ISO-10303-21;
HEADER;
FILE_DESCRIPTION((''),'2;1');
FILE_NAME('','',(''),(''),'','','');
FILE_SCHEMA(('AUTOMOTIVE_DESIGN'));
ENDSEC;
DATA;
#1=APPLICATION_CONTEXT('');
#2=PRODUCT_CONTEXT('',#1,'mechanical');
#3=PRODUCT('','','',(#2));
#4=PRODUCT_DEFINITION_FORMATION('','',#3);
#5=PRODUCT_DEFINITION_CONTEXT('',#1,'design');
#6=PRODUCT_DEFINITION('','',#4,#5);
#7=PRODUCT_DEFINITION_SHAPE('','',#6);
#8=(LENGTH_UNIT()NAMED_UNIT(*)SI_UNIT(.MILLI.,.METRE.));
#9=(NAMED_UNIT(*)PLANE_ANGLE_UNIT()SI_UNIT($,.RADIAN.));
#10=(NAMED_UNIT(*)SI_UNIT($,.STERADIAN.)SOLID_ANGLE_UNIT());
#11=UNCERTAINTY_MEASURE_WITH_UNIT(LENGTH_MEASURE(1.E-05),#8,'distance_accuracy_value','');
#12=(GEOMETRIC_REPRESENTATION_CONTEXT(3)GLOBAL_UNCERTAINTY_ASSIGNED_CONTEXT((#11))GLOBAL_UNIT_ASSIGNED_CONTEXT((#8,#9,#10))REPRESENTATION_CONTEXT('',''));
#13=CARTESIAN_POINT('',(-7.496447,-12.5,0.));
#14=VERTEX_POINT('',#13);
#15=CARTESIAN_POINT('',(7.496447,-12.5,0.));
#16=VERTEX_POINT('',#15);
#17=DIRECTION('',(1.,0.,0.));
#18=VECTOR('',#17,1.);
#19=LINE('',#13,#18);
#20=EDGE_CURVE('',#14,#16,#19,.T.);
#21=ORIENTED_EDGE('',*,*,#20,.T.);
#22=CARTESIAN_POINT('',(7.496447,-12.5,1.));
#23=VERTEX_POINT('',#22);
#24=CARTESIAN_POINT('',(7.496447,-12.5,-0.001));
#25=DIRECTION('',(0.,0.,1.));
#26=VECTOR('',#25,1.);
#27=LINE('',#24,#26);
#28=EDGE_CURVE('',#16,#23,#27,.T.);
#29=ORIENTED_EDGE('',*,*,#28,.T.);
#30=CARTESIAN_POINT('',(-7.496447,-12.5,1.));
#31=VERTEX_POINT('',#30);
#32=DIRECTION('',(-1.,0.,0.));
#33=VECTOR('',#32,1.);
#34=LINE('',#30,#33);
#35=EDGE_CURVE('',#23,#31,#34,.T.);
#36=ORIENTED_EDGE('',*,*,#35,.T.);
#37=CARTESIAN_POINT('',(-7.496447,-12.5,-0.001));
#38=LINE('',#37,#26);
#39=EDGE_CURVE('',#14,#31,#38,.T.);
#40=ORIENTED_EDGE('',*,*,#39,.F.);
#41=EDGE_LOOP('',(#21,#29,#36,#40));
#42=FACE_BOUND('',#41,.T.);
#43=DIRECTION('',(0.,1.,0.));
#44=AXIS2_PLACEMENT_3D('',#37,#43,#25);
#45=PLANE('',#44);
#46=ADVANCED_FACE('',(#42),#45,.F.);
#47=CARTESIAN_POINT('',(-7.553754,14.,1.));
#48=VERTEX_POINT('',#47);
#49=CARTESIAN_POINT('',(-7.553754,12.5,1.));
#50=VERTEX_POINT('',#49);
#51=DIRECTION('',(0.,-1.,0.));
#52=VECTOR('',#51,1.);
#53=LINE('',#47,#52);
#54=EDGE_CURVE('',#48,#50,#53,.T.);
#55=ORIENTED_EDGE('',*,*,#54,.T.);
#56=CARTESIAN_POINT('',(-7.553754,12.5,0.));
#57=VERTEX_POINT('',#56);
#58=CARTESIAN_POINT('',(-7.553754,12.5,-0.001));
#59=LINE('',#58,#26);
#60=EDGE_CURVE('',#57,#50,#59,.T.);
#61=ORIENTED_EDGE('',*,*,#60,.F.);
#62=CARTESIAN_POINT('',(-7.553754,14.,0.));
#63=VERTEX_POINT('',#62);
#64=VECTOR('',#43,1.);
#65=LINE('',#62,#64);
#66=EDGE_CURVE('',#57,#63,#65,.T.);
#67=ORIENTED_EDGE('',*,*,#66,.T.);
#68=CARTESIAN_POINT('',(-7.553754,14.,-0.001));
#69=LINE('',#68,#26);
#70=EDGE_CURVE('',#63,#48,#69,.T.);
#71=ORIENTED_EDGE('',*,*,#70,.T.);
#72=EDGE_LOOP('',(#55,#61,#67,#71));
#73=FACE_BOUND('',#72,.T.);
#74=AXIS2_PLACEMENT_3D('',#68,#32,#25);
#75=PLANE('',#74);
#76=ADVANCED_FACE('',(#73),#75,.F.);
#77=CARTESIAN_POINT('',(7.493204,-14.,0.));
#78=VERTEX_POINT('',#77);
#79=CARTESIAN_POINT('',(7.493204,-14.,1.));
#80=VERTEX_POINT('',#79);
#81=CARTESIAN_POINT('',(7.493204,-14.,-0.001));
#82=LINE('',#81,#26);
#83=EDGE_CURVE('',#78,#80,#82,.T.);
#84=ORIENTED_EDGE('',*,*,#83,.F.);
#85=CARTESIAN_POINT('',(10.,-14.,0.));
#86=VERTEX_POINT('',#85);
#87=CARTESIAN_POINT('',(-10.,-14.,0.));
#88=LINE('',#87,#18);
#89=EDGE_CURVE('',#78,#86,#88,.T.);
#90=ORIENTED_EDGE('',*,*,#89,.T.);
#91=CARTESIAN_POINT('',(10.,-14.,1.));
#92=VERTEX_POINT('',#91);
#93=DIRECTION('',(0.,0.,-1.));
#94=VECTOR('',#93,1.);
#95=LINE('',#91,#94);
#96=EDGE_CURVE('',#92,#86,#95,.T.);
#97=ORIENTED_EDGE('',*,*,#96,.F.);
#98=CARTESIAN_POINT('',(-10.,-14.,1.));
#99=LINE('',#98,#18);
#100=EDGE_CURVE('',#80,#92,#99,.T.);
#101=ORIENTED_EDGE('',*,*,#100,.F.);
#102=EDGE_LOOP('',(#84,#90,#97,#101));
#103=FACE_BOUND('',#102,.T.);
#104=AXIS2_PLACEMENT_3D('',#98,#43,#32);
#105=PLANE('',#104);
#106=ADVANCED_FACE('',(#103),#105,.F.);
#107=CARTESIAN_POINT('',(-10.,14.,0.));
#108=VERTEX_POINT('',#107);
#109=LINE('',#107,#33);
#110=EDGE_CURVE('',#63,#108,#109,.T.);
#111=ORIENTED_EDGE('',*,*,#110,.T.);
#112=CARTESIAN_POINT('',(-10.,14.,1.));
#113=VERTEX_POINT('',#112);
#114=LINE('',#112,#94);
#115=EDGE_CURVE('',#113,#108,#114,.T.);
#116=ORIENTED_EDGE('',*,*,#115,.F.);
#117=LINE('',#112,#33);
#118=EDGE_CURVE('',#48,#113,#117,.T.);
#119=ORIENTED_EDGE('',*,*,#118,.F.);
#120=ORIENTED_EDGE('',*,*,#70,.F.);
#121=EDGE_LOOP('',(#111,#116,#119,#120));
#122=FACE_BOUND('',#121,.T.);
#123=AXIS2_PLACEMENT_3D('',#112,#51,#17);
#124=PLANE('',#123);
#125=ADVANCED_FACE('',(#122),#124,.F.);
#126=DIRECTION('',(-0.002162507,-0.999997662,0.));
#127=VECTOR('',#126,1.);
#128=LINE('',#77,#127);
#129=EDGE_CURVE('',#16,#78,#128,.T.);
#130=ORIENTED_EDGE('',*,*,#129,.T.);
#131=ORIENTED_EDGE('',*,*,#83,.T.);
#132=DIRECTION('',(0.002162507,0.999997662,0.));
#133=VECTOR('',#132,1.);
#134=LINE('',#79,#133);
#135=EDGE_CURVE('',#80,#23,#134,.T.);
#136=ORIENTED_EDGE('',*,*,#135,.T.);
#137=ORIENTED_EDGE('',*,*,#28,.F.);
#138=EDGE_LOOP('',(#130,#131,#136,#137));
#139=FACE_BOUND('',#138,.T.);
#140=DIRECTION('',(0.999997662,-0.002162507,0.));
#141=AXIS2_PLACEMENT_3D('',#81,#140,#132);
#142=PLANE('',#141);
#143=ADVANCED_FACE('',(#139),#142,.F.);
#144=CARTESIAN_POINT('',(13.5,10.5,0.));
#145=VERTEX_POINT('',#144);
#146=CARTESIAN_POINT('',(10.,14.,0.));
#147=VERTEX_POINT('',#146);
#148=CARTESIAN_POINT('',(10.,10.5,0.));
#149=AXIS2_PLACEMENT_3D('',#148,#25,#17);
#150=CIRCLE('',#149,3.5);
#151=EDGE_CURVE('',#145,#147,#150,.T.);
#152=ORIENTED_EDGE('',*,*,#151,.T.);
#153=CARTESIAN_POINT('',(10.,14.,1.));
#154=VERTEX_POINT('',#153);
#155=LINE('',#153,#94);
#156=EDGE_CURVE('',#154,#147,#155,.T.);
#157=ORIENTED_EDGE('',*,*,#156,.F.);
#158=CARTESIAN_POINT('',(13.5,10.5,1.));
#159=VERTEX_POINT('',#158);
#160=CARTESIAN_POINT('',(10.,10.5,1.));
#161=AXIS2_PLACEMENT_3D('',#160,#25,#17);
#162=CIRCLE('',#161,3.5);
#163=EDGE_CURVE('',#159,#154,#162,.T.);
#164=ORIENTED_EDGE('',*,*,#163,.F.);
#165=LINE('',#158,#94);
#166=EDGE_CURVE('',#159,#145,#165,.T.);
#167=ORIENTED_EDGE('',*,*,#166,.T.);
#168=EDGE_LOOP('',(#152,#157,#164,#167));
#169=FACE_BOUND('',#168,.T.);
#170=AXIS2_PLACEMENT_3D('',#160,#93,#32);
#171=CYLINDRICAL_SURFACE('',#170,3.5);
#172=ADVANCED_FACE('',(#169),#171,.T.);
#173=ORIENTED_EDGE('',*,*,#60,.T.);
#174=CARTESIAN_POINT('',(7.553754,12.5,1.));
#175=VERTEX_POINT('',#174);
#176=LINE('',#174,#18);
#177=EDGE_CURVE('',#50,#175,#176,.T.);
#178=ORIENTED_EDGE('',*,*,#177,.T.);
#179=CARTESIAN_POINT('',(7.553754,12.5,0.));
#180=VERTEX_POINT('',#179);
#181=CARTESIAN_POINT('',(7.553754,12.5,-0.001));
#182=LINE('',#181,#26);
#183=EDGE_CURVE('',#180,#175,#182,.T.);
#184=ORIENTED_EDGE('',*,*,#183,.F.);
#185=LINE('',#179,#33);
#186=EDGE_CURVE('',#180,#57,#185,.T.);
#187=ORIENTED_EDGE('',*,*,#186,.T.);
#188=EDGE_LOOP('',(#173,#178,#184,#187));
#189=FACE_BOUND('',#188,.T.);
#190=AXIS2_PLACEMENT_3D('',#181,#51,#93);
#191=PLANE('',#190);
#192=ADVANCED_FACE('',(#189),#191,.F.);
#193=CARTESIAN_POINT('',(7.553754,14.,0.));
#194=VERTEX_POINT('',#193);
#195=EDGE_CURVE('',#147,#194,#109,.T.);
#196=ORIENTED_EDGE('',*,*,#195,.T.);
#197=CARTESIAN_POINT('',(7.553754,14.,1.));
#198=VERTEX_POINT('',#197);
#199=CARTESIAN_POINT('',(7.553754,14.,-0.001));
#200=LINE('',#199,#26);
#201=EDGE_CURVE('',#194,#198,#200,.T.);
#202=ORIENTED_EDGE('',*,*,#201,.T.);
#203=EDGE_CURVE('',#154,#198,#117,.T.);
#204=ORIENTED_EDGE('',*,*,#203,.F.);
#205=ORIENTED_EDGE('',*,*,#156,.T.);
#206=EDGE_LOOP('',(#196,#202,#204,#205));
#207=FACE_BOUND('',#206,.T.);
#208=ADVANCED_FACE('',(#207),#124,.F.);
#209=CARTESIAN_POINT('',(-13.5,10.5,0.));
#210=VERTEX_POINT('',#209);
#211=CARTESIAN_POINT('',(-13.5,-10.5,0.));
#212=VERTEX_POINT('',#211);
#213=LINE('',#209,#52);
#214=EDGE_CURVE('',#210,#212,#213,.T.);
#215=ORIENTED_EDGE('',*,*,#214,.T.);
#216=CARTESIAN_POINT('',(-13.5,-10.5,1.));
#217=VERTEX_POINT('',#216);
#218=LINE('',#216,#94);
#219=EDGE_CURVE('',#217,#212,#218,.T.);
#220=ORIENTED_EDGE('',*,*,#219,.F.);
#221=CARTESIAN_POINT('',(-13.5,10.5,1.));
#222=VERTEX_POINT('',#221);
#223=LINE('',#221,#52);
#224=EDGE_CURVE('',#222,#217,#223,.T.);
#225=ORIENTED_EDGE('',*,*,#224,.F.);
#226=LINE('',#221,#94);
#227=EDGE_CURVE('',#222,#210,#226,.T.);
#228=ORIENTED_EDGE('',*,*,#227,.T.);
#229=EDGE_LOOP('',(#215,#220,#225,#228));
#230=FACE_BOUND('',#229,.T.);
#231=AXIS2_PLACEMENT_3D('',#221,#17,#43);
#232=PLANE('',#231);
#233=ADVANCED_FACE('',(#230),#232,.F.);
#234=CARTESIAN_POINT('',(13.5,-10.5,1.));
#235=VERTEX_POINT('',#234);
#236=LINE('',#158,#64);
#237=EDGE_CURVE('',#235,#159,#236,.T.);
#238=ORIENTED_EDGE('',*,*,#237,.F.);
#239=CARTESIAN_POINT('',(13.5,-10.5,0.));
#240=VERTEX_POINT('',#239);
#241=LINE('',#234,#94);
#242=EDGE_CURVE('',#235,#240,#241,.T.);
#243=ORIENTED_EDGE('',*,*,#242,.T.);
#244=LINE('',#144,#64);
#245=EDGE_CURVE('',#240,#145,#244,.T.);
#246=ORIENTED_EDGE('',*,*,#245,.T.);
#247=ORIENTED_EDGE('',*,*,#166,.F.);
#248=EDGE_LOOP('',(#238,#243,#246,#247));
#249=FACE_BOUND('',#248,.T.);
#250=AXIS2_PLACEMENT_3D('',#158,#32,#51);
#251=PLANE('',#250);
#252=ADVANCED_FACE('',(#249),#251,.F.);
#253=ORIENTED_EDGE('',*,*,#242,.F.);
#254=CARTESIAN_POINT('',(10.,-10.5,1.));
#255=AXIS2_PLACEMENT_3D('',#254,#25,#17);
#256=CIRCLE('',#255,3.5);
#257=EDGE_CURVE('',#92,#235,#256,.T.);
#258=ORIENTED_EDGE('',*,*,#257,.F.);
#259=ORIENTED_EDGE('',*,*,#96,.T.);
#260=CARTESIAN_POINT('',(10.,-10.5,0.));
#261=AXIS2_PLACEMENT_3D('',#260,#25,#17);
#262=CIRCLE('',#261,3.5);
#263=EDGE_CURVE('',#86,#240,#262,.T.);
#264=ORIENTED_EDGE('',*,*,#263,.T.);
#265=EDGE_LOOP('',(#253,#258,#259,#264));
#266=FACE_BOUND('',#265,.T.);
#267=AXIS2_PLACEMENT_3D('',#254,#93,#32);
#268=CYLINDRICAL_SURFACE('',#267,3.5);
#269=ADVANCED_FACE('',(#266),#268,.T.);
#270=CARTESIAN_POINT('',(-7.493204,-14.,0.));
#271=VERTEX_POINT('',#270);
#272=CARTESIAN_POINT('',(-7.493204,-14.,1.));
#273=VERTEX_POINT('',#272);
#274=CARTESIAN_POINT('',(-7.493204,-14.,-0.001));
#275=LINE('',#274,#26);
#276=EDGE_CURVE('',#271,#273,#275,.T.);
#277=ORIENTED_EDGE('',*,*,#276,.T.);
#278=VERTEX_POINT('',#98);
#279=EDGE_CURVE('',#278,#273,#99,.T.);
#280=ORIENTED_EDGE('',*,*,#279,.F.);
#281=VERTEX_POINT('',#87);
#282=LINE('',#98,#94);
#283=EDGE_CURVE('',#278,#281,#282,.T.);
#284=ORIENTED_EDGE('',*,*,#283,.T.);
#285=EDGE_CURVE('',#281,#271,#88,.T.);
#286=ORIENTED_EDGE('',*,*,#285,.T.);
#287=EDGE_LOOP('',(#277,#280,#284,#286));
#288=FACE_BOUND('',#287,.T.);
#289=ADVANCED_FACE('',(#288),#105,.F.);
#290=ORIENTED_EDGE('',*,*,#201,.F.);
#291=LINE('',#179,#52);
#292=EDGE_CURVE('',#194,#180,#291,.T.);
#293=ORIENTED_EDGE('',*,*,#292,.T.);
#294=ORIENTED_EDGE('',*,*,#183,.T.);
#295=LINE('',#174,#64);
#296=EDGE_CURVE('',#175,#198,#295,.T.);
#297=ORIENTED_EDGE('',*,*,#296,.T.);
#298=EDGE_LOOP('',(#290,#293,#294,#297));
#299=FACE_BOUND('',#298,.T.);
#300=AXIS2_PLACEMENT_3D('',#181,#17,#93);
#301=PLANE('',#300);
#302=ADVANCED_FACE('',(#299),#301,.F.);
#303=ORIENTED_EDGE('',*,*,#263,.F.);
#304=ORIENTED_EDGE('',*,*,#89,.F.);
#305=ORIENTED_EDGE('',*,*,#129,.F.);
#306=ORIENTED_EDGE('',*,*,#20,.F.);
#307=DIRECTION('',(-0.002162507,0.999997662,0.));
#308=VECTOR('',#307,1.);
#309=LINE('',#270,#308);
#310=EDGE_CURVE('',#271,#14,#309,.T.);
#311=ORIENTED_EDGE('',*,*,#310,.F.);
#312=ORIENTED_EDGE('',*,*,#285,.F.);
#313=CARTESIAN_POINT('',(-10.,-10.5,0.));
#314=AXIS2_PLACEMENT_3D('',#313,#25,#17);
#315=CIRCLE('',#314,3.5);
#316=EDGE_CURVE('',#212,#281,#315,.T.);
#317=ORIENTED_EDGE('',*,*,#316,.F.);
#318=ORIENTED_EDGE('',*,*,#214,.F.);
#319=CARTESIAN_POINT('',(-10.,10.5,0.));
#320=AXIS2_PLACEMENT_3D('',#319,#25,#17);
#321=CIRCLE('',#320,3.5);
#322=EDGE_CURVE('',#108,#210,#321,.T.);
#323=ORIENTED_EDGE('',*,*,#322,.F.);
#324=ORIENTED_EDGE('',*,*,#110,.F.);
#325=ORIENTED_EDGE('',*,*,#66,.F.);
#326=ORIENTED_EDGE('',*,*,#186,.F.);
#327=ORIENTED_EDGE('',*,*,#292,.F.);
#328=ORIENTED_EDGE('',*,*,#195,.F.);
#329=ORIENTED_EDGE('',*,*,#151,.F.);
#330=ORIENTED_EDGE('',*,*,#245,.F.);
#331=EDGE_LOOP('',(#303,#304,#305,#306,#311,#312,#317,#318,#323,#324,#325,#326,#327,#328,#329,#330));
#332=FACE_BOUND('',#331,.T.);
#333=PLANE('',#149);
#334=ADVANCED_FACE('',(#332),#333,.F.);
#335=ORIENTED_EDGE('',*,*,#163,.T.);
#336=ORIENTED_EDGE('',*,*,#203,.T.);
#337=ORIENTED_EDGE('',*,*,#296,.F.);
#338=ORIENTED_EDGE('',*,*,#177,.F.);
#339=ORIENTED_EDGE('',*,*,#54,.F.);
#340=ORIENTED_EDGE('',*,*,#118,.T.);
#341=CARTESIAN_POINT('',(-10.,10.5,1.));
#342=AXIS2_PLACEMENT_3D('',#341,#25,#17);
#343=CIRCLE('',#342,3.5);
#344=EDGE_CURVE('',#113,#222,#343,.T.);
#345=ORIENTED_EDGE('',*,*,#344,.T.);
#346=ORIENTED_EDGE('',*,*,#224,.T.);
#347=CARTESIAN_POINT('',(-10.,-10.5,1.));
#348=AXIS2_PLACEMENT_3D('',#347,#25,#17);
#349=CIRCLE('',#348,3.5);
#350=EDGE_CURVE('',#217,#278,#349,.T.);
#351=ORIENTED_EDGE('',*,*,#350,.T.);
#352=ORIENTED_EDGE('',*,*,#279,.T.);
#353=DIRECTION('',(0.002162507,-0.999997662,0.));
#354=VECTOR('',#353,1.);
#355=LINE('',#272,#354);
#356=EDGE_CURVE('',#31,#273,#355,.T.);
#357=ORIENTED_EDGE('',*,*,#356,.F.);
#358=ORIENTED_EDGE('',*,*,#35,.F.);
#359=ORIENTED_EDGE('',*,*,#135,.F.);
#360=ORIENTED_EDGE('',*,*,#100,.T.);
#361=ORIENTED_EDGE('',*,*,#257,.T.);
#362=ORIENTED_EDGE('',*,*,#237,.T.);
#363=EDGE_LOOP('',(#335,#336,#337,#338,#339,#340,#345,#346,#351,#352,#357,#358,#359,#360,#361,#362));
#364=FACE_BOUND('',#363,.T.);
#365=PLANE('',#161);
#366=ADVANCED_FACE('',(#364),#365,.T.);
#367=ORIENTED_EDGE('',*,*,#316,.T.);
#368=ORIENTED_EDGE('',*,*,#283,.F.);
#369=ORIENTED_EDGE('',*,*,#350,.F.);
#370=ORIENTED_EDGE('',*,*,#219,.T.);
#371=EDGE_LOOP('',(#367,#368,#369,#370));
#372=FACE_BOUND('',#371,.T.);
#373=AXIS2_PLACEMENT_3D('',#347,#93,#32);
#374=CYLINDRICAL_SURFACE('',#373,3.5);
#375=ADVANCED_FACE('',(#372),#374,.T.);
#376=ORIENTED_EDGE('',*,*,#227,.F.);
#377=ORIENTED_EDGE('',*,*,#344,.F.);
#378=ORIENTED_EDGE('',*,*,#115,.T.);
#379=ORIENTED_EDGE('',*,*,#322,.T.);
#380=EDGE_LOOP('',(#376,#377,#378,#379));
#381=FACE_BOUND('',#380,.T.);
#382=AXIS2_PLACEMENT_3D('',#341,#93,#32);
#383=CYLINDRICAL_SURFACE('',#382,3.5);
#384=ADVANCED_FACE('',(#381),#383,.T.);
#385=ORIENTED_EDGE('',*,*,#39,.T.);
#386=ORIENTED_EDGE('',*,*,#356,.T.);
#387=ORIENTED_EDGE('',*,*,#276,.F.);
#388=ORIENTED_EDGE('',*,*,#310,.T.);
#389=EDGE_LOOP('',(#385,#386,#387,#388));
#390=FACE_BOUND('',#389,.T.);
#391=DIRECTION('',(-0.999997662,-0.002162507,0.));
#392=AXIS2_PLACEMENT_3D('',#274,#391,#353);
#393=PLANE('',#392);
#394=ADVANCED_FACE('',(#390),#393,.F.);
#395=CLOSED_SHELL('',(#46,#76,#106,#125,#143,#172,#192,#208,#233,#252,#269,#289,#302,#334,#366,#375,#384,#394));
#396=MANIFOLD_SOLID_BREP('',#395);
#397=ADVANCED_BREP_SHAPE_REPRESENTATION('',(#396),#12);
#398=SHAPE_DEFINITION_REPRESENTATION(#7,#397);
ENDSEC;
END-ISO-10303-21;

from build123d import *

# Parameters (mm, degrees)
BOSS_EXTRUDE1_DEPTH = 1
CUT_EXTRUDE1_REACH  = 3
SKETCH2_W           = 15.10750805
SKETCH2_H           = 1.5


with BuildPart() as part:
    # Sketch1 → Boss-Extrude1 (new body)
    with BuildSketch(Plane.XY):
        with BuildLine():
            Line((-13.5, 10.5), (-13.5, -10.5))
            ThreePointArc((-13.5, -10.5), (-12.474873734, -12.974873734), (-10, -14))
            Line((-10, -14), (10, -14))
            ThreePointArc((10, -14), (12.474873734, -12.974873734), (13.5, -10.5))
            Line((13.5, -10.5), (13.5, 10.5))
            ThreePointArc((13.5, 10.5), (12.474873734, 12.974873734), (10, 14))
            Line((10, 14), (-10, 14))
            ThreePointArc((-10, 14), (-12.474873734, 12.974873734), (-13.5, 10.5))
        make_face()
    extrude(amount=BOSS_EXTRUDE1_DEPTH)

    # Sketch2 → Cut-Extrude1 (cut, up to next)
    with BuildSketch(Plane.XY.offset(1), mode=Mode.PRIVATE) as cut_extrude1_sk1:
        with Locations((0, 13.25)):
            Rectangle(SKETCH2_W, SKETCH2_H)
    cut_extrude1_tool1 = extrude(cut_extrude1_sk1.sketch, amount=-CUT_EXTRUDE1_REACH, mode=Mode.PRIVATE) & part.part
    add(cut_extrude1_tool1.solids().sort_by_distance((0, 13.25, 1))[0], mode=Mode.SUBTRACT)
    # Sketch2 → Cut-Extrude1 (cut, up to next)
    with BuildSketch(Plane.XY.offset(1), mode=Mode.PRIVATE) as cut_extrude1_sk2:
        Polygon((-7.493203699, -14), (7.493203699, -14), (7.496447466, -12.5), (-7.496447466, -12.5), align=None)
    cut_extrude1_tool2 = extrude(cut_extrude1_sk2.sketch, amount=-CUT_EXTRUDE1_REACH, mode=Mode.PRIVATE) & part.part
    add(cut_extrude1_tool2.solids().sort_by_distance((0, -13.249946, 1))[0], mode=Mode.SUBTRACT)


solid = part.part
